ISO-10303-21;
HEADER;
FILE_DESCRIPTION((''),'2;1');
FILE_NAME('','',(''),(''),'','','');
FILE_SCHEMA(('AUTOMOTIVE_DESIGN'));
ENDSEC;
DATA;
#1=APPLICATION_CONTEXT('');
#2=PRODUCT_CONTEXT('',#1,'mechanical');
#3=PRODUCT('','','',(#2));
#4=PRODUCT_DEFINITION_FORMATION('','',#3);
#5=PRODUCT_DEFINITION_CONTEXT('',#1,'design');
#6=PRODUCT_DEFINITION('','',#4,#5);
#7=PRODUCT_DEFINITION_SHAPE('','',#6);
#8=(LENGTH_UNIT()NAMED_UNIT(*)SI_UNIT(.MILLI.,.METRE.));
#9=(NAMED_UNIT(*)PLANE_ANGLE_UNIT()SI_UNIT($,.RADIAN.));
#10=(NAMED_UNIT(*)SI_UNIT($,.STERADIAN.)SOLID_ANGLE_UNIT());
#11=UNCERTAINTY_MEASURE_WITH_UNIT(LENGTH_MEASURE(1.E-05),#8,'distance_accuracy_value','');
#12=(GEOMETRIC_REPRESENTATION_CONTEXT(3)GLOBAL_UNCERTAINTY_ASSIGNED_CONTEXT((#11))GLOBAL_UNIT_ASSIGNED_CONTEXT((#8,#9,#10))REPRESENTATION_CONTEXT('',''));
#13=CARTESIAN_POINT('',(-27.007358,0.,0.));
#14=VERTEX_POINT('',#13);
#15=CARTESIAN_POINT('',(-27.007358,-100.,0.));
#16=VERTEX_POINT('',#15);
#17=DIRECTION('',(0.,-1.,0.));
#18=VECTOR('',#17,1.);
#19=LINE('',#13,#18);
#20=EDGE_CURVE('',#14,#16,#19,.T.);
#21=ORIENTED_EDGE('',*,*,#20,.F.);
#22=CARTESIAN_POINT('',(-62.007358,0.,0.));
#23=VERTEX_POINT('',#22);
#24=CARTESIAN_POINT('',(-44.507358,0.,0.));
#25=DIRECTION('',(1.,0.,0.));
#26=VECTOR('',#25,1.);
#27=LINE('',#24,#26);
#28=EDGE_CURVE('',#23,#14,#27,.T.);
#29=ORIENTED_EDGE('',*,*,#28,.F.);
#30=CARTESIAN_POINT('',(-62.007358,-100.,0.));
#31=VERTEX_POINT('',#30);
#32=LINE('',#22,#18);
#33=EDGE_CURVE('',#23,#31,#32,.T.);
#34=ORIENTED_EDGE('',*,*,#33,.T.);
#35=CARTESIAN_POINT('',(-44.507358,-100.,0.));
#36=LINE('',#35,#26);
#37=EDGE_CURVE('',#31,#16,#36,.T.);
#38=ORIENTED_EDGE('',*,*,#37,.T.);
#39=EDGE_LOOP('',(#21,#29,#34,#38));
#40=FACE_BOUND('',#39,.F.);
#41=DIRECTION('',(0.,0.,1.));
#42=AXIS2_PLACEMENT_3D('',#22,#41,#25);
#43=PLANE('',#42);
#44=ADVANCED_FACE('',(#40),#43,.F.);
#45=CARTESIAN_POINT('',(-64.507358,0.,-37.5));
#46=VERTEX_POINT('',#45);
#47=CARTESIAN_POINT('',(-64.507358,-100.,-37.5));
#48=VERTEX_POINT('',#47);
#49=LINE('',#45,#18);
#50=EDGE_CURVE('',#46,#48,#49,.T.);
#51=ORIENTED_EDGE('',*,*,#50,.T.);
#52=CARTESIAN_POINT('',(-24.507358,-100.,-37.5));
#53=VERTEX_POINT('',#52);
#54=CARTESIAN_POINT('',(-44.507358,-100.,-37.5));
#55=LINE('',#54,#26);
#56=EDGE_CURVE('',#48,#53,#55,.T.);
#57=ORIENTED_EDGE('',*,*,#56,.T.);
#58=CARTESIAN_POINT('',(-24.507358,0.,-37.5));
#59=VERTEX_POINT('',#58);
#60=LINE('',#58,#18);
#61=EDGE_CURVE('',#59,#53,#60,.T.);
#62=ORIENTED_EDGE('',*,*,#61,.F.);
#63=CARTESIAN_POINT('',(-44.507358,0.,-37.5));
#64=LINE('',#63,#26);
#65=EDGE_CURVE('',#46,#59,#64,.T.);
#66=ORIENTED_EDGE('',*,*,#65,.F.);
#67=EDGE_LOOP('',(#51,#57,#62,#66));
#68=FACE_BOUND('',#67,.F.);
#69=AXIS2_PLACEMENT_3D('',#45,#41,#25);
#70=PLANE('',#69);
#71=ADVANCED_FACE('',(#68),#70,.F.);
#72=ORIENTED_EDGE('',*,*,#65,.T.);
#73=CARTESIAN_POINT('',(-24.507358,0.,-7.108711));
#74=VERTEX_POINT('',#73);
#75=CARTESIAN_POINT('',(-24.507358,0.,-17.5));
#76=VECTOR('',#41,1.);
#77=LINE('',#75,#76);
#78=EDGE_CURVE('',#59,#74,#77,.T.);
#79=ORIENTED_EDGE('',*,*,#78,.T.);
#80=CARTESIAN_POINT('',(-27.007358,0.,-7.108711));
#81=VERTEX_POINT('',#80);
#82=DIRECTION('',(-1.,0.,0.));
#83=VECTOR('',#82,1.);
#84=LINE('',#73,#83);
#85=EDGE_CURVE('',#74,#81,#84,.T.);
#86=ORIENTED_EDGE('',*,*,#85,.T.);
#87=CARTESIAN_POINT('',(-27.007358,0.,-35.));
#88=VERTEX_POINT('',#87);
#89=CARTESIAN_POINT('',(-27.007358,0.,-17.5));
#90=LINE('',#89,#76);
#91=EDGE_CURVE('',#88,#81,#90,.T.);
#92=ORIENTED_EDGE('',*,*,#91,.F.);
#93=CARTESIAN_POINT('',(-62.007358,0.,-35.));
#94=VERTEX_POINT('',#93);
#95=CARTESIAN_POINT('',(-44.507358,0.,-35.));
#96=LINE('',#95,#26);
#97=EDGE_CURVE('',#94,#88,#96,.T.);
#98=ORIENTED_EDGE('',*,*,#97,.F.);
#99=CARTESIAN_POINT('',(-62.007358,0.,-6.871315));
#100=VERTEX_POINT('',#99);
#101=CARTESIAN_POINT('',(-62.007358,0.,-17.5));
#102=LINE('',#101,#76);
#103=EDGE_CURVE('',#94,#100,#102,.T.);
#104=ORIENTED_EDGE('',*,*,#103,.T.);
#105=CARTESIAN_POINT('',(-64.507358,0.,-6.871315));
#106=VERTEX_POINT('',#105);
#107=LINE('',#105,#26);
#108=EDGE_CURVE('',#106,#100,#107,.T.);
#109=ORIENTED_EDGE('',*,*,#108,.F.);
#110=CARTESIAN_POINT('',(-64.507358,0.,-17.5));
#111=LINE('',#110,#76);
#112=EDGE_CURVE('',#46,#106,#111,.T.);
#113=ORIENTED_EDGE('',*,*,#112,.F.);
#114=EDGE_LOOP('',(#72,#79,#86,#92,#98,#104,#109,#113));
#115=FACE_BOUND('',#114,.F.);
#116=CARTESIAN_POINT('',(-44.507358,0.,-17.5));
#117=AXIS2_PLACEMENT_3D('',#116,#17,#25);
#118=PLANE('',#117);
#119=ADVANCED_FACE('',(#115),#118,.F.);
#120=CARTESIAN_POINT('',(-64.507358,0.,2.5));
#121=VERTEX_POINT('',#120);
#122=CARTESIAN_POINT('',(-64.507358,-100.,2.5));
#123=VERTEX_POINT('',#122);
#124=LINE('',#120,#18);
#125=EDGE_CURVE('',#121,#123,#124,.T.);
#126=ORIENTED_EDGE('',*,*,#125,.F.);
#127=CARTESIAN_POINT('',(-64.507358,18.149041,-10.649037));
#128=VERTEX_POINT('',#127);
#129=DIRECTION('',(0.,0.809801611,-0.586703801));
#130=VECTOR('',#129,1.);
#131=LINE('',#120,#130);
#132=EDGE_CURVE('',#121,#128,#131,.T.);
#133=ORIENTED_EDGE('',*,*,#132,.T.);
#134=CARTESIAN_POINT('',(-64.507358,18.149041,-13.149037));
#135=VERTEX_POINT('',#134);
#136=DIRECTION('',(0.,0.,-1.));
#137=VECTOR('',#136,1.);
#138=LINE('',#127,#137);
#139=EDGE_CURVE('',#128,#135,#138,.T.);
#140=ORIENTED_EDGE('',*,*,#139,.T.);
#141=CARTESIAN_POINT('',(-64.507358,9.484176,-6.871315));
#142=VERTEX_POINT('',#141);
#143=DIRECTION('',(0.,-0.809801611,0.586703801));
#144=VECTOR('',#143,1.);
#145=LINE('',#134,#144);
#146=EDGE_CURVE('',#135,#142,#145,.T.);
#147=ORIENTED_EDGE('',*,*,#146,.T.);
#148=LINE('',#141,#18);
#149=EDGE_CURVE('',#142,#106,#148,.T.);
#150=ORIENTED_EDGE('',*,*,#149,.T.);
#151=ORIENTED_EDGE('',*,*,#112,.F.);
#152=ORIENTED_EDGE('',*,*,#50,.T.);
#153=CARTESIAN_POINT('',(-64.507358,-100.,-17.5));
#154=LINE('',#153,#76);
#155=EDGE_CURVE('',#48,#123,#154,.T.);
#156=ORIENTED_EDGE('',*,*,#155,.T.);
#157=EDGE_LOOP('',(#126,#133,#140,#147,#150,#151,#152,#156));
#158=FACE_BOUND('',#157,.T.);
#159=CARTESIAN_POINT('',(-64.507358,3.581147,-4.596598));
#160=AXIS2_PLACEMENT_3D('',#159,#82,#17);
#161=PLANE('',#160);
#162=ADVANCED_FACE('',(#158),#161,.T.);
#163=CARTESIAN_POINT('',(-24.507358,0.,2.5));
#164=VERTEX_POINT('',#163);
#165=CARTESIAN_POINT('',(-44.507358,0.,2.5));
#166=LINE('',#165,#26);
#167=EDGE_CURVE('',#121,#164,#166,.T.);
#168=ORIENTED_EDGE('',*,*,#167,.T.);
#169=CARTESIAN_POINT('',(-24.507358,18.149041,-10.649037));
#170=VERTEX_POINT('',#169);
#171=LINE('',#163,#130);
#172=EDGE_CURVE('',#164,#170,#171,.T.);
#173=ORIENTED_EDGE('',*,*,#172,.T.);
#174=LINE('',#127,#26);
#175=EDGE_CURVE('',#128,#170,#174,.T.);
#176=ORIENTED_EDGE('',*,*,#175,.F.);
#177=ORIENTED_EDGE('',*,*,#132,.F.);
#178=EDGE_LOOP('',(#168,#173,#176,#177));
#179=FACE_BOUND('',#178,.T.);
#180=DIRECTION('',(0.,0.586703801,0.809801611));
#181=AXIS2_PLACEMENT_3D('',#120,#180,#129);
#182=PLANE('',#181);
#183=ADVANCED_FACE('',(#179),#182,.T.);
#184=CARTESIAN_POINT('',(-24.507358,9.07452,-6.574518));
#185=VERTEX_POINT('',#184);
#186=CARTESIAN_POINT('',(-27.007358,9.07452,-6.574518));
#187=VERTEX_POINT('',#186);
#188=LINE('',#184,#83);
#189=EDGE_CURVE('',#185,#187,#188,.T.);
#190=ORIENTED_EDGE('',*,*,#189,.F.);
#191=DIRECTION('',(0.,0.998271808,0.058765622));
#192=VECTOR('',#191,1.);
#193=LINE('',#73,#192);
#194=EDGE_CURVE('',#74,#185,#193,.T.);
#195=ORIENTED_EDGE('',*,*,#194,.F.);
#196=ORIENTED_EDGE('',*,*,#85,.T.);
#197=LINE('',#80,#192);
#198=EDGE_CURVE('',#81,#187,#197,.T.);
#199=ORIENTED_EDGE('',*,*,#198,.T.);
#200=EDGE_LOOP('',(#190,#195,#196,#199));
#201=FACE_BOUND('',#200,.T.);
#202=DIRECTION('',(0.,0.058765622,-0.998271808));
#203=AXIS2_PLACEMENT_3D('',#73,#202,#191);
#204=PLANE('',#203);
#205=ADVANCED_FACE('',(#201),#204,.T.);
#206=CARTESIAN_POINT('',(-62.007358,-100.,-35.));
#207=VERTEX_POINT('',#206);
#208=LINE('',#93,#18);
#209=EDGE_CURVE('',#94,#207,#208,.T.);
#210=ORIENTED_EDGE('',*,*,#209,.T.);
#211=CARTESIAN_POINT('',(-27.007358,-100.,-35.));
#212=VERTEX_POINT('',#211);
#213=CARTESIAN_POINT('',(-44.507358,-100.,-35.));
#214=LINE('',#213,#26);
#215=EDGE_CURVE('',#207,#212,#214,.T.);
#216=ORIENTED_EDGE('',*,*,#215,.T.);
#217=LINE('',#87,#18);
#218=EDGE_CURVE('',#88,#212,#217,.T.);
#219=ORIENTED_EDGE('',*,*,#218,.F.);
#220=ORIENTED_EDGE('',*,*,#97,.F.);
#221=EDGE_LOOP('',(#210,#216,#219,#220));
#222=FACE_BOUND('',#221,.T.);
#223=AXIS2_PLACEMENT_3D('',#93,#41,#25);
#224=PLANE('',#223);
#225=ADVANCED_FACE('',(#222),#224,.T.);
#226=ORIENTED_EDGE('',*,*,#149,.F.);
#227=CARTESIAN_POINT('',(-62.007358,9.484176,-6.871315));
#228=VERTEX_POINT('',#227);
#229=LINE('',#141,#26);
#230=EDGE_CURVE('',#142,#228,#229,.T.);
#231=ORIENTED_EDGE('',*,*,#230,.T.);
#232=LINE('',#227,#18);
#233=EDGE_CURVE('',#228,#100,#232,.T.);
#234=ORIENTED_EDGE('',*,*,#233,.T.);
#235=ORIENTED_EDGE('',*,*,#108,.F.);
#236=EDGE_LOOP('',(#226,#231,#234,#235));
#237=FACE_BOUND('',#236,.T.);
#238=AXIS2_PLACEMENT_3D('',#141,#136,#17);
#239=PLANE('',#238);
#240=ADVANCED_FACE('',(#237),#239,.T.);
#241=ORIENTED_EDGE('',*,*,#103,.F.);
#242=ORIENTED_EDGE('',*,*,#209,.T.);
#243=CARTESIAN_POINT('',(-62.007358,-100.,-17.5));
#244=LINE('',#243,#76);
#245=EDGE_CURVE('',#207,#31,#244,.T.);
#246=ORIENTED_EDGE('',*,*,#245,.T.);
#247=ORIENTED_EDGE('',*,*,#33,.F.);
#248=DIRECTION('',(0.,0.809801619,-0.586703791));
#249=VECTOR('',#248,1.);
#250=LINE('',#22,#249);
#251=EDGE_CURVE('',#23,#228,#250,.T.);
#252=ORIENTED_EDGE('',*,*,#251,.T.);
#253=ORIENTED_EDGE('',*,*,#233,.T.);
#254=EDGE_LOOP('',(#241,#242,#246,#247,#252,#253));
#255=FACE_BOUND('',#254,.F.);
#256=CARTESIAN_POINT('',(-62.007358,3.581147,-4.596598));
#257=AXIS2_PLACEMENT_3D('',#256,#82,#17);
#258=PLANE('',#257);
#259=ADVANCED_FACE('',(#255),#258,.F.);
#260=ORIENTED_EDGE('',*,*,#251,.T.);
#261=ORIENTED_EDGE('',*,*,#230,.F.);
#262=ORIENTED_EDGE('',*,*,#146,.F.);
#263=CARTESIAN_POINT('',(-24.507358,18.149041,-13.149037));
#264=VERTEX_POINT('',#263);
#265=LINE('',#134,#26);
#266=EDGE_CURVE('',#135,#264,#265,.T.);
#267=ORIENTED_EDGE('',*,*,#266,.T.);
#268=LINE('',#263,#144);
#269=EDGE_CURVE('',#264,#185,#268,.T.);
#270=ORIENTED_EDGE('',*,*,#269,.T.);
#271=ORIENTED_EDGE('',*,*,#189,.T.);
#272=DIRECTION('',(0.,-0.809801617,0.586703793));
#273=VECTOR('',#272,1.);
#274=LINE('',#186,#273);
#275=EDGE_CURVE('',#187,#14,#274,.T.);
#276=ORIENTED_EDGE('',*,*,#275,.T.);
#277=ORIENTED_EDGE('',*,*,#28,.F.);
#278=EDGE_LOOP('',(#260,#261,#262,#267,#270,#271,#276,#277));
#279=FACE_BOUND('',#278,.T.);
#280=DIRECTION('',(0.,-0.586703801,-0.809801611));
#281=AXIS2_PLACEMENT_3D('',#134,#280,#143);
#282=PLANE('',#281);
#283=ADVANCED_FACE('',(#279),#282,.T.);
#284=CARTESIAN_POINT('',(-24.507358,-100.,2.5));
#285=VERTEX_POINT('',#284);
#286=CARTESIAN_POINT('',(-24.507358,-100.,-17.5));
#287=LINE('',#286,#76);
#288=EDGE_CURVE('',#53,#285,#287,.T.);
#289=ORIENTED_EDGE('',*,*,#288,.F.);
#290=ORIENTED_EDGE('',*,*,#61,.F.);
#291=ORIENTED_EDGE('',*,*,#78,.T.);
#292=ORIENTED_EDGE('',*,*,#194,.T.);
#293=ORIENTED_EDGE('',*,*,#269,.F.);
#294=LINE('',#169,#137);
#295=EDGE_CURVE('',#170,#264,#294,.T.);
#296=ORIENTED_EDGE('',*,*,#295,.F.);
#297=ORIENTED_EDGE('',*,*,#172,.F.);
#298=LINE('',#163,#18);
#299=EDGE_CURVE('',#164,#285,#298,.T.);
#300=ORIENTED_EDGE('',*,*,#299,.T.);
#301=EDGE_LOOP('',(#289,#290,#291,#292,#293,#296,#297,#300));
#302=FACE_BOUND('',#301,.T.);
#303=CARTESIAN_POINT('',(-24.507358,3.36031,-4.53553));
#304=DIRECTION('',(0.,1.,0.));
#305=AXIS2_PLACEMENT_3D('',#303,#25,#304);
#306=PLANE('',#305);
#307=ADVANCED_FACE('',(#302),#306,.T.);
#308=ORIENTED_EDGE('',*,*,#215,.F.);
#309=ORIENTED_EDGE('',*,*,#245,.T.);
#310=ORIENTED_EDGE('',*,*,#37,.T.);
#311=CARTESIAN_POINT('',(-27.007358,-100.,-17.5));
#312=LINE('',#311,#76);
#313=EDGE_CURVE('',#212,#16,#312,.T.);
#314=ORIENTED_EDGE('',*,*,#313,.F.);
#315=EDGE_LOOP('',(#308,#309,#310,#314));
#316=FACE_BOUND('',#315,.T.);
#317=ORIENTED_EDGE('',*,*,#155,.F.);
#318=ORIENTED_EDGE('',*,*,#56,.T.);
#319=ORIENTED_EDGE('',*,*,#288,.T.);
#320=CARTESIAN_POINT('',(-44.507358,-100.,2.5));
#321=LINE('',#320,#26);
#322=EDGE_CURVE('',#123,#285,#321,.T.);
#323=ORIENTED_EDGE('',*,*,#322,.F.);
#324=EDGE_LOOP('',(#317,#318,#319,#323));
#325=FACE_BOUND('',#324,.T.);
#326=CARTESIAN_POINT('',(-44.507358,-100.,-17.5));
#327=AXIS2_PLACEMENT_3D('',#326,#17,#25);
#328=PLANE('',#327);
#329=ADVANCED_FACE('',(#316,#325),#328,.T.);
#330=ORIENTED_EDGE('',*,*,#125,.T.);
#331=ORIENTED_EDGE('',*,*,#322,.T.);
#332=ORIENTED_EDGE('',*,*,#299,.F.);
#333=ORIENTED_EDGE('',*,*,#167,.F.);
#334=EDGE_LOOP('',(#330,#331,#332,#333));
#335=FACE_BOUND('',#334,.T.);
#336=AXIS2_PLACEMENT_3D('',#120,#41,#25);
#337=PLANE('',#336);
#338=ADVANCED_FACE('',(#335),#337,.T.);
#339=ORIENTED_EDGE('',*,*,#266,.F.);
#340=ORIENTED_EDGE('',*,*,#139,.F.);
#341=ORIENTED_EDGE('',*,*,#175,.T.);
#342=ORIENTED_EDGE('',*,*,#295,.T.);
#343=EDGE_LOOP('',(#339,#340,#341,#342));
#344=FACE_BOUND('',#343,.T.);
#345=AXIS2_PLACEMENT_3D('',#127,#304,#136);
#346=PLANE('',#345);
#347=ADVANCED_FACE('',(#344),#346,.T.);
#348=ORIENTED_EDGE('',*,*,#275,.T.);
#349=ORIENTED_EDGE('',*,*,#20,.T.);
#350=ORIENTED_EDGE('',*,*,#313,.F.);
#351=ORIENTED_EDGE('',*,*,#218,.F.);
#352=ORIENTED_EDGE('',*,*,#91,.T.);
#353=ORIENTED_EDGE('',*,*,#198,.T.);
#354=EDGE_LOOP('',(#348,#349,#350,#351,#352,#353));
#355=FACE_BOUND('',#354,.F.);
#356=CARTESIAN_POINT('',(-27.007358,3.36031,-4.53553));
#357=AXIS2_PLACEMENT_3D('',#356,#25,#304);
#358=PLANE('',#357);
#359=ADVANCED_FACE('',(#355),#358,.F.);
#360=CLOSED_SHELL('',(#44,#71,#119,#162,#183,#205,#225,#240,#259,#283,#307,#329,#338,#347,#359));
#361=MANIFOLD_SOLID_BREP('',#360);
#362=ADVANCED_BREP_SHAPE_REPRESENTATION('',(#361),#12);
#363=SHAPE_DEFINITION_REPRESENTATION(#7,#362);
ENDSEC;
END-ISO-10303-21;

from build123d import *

# Parameters (mm, degrees)
F0_W     = 40
F0_H     = 40
F0_W_2   = 35
F0_H_2   = 35
F1_DEPTH = 100
F3_DEPTH = 40
F5_DEPTH = 2.5
F7_DEPTH = 2.5


with BuildPart() as f1:
    # F0 (on Front) → F1 (new body)
    with BuildSketch(Plane.XZ):
        with Locations((-44.507358, -17.5)):
            Rectangle(F0_W, F0_H)
        with Locations((-44.507358, -17.5)):
            Rectangle(F0_W_2, F0_H_2, mode=Mode.SUBTRACT)
    extrude(amount=F1_DEPTH)

    # F2 (on face) → F3 (join)
    with BuildSketch(Plane(origin=(-64.507358, 0, 0), x_dir=(0, -1, 0), z_dir=(-1, 0, 0))):
        Polygon((0, 0), (0, 2.5), (-18.149041, -10.649037), (-18.149041, -13.149037), align=None)
    extrude(amount=-F3_DEPTH)

    # F4 (on face) → F5 (join)
    with BuildSketch(Plane(origin=(-64.507358, 0, 0), x_dir=(0, -1, 0), z_dir=(-1, 0, 0))):
        Polygon((0, 0), (-9.484176, -6.871315), (0, -6.871315), align=None)
    extrude(amount=-F5_DEPTH)

    # F6 (on face) → F7 (join)
    with BuildSketch(Plane.YZ.offset(-24.507358)):
        Polygon((9.07452, -6.574518), (0, 0), (0, -7.108711), align=None)
    extrude(amount=-F7_DEPTH)


solid = f1.part
